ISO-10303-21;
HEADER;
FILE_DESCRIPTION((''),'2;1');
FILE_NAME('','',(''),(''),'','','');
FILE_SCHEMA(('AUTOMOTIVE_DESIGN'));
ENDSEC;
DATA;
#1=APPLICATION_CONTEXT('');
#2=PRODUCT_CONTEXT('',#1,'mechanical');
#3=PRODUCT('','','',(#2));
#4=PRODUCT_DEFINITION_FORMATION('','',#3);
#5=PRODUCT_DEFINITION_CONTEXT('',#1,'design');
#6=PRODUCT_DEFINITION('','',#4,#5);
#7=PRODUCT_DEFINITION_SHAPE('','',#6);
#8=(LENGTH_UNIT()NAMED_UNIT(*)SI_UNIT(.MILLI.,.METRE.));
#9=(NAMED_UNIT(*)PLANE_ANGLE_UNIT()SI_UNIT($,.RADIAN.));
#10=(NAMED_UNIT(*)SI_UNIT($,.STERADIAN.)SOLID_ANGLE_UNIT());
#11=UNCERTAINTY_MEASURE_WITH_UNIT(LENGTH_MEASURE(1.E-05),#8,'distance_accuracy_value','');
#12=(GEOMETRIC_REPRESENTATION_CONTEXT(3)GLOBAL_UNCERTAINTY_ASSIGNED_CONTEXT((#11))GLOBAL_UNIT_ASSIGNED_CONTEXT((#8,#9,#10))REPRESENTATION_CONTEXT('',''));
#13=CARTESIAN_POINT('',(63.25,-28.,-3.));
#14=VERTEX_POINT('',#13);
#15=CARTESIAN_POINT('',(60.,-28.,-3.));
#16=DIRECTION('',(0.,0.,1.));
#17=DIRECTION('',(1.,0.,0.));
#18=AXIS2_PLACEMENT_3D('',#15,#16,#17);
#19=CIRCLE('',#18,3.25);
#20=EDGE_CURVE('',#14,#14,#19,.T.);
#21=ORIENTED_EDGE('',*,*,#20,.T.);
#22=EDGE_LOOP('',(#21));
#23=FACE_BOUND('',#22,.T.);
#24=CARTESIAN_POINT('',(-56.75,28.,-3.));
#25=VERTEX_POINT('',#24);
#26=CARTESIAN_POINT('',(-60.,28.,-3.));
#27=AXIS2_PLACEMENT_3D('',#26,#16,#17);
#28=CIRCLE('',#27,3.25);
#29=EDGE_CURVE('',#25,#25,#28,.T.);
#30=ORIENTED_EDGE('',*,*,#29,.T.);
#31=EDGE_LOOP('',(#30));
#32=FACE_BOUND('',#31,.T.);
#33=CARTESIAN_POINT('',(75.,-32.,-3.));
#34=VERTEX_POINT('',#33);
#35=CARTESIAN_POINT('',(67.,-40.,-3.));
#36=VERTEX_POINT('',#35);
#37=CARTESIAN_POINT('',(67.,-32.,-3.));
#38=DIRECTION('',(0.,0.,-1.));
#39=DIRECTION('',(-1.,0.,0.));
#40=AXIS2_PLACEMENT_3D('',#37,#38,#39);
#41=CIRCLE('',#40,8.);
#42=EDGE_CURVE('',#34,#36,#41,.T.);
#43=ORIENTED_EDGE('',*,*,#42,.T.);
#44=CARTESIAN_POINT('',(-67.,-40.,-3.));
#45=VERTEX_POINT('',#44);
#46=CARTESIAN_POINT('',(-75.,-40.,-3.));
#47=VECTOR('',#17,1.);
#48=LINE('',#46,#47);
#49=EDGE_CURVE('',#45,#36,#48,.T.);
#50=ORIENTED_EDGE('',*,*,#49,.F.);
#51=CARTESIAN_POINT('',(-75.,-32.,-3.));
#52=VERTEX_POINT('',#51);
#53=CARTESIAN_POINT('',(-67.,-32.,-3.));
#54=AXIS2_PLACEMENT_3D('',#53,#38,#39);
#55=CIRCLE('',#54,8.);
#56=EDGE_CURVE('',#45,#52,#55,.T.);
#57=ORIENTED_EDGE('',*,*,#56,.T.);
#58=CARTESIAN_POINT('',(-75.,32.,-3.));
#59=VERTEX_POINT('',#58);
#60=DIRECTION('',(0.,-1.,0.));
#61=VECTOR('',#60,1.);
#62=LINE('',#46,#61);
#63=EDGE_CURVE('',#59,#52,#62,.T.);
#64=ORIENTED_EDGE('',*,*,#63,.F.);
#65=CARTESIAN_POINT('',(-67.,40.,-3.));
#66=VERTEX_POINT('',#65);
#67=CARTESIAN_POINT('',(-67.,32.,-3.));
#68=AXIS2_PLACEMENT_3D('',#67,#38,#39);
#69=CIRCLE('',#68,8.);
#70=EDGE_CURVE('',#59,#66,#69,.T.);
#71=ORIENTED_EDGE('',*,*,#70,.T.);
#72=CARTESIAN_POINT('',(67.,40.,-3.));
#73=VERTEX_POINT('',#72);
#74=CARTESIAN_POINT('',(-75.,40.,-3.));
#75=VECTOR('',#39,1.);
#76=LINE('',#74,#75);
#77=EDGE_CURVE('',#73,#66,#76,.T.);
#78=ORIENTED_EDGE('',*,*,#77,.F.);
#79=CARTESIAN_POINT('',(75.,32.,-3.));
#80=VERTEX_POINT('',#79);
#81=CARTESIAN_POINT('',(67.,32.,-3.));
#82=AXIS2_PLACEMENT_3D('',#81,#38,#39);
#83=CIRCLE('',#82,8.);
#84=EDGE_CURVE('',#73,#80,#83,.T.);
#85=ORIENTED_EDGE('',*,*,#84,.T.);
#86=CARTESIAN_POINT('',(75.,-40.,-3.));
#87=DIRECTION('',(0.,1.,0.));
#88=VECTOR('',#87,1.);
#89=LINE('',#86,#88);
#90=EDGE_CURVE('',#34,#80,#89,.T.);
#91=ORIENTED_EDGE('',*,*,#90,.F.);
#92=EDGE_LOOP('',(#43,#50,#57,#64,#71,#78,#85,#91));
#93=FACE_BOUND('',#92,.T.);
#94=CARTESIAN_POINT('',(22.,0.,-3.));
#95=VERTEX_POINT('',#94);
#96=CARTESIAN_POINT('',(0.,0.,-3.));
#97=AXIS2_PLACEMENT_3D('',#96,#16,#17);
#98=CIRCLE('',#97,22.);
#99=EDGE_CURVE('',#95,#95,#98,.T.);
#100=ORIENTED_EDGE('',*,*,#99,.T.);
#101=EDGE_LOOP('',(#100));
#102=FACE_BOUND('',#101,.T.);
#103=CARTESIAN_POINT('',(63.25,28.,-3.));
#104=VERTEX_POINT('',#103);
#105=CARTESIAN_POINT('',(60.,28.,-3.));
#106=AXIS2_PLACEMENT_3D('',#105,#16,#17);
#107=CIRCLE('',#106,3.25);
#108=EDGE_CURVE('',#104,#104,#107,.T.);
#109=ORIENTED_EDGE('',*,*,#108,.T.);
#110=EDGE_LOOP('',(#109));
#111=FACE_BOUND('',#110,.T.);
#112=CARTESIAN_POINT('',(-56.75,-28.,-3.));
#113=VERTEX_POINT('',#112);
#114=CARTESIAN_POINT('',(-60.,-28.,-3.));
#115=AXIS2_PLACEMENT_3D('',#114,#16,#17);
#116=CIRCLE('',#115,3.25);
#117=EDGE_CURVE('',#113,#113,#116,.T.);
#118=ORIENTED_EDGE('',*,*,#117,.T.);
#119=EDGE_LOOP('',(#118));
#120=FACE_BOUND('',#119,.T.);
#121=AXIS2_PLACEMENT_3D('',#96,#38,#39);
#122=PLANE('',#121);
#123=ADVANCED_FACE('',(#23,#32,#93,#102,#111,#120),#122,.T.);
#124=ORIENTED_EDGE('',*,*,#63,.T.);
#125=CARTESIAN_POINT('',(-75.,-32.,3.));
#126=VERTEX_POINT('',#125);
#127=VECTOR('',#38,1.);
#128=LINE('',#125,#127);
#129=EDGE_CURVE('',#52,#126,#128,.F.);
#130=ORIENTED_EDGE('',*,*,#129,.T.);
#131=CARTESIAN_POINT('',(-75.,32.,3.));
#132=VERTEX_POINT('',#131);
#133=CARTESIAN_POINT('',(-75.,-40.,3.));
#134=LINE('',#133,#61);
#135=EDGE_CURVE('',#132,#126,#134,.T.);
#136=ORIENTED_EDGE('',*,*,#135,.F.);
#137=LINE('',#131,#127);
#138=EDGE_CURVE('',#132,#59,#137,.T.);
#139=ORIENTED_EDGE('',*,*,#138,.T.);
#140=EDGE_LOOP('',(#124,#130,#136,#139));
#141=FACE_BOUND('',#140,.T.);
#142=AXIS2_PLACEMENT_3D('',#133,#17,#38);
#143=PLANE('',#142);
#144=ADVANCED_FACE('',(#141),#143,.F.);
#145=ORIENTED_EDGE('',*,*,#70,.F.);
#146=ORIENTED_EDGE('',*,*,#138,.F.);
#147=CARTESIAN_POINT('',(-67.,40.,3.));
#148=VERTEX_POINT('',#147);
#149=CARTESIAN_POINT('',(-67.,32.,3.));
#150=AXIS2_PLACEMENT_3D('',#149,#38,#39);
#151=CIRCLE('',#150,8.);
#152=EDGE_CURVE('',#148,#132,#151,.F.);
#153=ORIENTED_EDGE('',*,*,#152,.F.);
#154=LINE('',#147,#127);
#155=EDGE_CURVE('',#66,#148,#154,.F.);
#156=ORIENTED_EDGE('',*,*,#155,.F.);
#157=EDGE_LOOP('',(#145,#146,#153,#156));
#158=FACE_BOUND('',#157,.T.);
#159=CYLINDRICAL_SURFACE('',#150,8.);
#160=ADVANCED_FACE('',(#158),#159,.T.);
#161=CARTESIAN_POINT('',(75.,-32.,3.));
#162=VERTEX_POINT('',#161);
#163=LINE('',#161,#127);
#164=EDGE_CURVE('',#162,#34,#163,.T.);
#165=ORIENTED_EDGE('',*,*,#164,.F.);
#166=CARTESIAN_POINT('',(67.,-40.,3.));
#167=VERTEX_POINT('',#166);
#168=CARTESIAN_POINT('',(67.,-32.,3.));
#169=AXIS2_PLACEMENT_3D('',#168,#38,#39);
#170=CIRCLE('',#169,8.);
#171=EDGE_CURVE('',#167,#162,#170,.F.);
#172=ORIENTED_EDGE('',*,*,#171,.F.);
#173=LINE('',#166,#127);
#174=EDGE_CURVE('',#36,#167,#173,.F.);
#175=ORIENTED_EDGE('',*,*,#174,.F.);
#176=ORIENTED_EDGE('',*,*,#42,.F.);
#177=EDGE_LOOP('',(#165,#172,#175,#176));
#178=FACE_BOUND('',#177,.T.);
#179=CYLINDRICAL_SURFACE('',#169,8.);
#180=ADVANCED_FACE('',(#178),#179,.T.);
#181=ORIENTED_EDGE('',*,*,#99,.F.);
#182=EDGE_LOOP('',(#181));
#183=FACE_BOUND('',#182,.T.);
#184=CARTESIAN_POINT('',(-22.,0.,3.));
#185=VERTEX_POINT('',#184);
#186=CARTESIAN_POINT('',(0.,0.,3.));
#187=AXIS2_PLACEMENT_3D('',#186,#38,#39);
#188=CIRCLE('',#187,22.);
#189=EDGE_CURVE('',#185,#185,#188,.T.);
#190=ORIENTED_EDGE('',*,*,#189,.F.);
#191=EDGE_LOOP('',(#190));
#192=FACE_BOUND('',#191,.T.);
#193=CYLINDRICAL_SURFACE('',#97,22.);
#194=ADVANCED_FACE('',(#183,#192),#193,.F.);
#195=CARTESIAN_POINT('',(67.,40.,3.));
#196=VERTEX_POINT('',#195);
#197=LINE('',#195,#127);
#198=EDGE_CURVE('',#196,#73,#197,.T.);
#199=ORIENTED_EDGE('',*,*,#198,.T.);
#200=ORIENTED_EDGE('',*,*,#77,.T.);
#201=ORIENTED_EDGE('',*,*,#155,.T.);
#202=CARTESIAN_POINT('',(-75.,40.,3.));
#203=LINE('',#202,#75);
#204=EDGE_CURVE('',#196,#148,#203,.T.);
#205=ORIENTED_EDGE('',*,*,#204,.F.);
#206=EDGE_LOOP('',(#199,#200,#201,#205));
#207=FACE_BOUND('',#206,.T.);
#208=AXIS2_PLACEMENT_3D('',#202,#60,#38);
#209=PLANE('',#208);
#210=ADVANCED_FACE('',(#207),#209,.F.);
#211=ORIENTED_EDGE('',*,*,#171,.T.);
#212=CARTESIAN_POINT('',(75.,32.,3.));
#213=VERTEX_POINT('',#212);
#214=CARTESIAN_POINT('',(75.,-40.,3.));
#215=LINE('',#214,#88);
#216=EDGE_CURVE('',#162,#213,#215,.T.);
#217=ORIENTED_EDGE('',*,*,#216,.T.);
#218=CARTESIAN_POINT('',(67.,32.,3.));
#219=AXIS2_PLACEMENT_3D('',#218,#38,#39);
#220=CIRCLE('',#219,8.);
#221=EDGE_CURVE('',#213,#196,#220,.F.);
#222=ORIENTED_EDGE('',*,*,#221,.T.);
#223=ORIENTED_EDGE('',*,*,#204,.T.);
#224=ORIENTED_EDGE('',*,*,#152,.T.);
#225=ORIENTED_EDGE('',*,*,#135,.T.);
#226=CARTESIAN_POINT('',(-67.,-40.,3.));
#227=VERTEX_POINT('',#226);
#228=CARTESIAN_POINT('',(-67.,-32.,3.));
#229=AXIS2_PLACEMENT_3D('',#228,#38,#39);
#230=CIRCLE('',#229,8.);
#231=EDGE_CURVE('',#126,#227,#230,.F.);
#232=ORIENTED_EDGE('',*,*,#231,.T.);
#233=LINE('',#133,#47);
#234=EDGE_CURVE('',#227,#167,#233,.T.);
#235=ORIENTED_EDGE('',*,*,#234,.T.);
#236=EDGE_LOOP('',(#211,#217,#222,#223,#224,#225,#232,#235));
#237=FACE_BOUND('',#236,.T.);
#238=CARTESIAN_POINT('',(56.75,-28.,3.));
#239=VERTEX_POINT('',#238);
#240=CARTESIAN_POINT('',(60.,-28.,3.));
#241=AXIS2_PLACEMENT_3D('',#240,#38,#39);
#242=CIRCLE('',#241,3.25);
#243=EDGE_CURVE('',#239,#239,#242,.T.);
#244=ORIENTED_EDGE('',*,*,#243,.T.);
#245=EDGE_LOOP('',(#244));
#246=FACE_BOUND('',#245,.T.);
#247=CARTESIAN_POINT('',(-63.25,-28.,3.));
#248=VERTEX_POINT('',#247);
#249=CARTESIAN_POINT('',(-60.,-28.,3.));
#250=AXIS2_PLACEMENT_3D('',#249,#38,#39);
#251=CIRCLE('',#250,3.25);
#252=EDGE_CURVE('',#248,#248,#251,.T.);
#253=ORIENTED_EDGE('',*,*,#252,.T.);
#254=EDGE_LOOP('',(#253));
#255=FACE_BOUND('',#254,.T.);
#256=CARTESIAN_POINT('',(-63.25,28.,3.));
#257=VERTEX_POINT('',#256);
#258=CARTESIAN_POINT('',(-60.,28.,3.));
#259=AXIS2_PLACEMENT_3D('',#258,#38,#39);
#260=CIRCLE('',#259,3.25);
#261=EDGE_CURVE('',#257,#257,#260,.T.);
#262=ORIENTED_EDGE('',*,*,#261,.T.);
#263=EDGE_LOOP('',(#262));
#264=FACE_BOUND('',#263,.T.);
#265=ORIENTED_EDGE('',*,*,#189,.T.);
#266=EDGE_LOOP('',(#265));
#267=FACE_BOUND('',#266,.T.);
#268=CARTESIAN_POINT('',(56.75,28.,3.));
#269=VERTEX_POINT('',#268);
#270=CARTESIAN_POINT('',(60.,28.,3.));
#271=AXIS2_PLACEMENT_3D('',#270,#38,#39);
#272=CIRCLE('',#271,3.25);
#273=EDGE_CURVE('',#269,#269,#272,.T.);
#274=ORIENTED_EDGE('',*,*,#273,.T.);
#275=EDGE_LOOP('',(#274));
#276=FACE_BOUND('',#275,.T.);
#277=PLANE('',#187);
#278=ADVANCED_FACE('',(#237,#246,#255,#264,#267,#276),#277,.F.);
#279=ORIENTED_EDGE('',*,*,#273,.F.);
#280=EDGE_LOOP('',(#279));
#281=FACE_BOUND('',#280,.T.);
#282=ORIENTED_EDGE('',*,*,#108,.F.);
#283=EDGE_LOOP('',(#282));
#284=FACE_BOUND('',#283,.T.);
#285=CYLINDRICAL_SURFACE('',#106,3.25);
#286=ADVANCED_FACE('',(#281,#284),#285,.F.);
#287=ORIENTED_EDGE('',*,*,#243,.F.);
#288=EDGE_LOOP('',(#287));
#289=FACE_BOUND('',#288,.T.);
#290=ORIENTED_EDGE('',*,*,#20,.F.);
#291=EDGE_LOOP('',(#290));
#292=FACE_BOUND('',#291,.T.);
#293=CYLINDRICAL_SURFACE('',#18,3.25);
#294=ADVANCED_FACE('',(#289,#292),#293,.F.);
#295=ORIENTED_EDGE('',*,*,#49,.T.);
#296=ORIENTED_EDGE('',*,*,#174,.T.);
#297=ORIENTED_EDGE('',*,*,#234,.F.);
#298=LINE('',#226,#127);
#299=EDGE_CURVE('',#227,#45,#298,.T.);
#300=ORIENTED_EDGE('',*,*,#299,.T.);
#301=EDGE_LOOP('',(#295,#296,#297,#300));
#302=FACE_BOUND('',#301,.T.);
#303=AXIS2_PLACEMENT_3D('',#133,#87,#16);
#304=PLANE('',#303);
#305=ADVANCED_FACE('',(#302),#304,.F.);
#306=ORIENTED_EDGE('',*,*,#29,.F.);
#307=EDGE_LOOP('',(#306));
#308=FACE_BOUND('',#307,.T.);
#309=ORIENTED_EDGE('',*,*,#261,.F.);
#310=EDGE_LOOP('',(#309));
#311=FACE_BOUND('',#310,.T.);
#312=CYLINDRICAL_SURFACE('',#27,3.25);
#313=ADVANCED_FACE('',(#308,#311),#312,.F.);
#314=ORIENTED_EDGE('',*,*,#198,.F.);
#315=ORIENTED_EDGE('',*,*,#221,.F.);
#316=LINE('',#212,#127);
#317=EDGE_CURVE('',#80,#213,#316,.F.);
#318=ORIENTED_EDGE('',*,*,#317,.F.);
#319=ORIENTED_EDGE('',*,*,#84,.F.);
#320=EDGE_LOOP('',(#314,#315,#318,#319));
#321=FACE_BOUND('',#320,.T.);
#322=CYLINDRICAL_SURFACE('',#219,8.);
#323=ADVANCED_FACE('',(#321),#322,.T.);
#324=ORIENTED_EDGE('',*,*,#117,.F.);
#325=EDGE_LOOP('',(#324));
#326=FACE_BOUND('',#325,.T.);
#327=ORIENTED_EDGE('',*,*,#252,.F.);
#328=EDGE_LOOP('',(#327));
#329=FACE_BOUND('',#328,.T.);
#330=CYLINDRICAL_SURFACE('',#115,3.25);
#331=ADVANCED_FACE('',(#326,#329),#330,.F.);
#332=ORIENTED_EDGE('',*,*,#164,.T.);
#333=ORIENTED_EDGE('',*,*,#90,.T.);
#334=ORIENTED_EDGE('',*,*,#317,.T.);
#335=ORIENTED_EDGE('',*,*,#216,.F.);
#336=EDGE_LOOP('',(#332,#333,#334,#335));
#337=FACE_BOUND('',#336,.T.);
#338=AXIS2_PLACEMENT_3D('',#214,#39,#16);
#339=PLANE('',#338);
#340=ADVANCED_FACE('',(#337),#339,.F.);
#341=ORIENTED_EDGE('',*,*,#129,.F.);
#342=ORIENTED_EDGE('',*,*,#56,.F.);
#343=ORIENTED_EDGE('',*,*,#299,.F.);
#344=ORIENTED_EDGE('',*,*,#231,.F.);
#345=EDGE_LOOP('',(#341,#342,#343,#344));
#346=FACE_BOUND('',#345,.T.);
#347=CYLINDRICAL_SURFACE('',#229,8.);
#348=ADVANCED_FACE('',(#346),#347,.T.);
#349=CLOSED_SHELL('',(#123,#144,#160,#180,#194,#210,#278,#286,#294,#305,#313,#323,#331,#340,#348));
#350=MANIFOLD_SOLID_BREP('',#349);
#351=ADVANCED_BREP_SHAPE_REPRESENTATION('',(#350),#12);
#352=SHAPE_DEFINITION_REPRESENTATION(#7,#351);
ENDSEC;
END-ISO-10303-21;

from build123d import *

# Parameters (mm, degrees)
SKETCH2_W               = 150
SKETCH2_H               = 80
BOSS_EXTRUDE1_DEPTH     = 3
CUT_EXTRUDE1_DEPTH      = 86.211501571
CUT_EXTRUDE1_DEPTH_BACK = 86.211501571
SKETCH3_R               = 3.25
SKETCH3_R_2             = 22
FILLET2_R               = 8


with BuildPart() as part:
    # Sketch2 → Boss-Extrude1 (new, symmetric)
    with BuildSketch(Plane.XY):
        Rectangle(SKETCH2_W, SKETCH2_H)
    extrude(amount=BOSS_EXTRUDE1_DEPTH, both=True)

    # Sketch3 → Cut-Extrude1 (cut, two sides: drawn at the far end of the back side and taken through both)
    with BuildSketch(Plane.XY.offset(3).offset(-CUT_EXTRUDE1_DEPTH_BACK)):
        with Locations((-60, 28)):
            Circle(SKETCH3_R)
        with Locations((-60, -28)):
            Circle(SKETCH3_R)
        with Locations((60, -28)):
            Circle(SKETCH3_R)
        with Locations((60, 28)):
            Circle(SKETCH3_R)
        Circle(SKETCH3_R_2)
    extrude(amount=CUT_EXTRUDE1_DEPTH + CUT_EXTRUDE1_DEPTH_BACK, mode=Mode.SUBTRACT)

    # Fillet2
    fillet2_edges = [part.edges().sort_by_distance(p)[0] for p in [
        (75, -40, 0),
        (-75, -40, 0),
        (-75, 40, 0),
        (75, 40, 0),
    ]]
    fillet(fillet2_edges, radius=FILLET2_R)


solid = part.part
